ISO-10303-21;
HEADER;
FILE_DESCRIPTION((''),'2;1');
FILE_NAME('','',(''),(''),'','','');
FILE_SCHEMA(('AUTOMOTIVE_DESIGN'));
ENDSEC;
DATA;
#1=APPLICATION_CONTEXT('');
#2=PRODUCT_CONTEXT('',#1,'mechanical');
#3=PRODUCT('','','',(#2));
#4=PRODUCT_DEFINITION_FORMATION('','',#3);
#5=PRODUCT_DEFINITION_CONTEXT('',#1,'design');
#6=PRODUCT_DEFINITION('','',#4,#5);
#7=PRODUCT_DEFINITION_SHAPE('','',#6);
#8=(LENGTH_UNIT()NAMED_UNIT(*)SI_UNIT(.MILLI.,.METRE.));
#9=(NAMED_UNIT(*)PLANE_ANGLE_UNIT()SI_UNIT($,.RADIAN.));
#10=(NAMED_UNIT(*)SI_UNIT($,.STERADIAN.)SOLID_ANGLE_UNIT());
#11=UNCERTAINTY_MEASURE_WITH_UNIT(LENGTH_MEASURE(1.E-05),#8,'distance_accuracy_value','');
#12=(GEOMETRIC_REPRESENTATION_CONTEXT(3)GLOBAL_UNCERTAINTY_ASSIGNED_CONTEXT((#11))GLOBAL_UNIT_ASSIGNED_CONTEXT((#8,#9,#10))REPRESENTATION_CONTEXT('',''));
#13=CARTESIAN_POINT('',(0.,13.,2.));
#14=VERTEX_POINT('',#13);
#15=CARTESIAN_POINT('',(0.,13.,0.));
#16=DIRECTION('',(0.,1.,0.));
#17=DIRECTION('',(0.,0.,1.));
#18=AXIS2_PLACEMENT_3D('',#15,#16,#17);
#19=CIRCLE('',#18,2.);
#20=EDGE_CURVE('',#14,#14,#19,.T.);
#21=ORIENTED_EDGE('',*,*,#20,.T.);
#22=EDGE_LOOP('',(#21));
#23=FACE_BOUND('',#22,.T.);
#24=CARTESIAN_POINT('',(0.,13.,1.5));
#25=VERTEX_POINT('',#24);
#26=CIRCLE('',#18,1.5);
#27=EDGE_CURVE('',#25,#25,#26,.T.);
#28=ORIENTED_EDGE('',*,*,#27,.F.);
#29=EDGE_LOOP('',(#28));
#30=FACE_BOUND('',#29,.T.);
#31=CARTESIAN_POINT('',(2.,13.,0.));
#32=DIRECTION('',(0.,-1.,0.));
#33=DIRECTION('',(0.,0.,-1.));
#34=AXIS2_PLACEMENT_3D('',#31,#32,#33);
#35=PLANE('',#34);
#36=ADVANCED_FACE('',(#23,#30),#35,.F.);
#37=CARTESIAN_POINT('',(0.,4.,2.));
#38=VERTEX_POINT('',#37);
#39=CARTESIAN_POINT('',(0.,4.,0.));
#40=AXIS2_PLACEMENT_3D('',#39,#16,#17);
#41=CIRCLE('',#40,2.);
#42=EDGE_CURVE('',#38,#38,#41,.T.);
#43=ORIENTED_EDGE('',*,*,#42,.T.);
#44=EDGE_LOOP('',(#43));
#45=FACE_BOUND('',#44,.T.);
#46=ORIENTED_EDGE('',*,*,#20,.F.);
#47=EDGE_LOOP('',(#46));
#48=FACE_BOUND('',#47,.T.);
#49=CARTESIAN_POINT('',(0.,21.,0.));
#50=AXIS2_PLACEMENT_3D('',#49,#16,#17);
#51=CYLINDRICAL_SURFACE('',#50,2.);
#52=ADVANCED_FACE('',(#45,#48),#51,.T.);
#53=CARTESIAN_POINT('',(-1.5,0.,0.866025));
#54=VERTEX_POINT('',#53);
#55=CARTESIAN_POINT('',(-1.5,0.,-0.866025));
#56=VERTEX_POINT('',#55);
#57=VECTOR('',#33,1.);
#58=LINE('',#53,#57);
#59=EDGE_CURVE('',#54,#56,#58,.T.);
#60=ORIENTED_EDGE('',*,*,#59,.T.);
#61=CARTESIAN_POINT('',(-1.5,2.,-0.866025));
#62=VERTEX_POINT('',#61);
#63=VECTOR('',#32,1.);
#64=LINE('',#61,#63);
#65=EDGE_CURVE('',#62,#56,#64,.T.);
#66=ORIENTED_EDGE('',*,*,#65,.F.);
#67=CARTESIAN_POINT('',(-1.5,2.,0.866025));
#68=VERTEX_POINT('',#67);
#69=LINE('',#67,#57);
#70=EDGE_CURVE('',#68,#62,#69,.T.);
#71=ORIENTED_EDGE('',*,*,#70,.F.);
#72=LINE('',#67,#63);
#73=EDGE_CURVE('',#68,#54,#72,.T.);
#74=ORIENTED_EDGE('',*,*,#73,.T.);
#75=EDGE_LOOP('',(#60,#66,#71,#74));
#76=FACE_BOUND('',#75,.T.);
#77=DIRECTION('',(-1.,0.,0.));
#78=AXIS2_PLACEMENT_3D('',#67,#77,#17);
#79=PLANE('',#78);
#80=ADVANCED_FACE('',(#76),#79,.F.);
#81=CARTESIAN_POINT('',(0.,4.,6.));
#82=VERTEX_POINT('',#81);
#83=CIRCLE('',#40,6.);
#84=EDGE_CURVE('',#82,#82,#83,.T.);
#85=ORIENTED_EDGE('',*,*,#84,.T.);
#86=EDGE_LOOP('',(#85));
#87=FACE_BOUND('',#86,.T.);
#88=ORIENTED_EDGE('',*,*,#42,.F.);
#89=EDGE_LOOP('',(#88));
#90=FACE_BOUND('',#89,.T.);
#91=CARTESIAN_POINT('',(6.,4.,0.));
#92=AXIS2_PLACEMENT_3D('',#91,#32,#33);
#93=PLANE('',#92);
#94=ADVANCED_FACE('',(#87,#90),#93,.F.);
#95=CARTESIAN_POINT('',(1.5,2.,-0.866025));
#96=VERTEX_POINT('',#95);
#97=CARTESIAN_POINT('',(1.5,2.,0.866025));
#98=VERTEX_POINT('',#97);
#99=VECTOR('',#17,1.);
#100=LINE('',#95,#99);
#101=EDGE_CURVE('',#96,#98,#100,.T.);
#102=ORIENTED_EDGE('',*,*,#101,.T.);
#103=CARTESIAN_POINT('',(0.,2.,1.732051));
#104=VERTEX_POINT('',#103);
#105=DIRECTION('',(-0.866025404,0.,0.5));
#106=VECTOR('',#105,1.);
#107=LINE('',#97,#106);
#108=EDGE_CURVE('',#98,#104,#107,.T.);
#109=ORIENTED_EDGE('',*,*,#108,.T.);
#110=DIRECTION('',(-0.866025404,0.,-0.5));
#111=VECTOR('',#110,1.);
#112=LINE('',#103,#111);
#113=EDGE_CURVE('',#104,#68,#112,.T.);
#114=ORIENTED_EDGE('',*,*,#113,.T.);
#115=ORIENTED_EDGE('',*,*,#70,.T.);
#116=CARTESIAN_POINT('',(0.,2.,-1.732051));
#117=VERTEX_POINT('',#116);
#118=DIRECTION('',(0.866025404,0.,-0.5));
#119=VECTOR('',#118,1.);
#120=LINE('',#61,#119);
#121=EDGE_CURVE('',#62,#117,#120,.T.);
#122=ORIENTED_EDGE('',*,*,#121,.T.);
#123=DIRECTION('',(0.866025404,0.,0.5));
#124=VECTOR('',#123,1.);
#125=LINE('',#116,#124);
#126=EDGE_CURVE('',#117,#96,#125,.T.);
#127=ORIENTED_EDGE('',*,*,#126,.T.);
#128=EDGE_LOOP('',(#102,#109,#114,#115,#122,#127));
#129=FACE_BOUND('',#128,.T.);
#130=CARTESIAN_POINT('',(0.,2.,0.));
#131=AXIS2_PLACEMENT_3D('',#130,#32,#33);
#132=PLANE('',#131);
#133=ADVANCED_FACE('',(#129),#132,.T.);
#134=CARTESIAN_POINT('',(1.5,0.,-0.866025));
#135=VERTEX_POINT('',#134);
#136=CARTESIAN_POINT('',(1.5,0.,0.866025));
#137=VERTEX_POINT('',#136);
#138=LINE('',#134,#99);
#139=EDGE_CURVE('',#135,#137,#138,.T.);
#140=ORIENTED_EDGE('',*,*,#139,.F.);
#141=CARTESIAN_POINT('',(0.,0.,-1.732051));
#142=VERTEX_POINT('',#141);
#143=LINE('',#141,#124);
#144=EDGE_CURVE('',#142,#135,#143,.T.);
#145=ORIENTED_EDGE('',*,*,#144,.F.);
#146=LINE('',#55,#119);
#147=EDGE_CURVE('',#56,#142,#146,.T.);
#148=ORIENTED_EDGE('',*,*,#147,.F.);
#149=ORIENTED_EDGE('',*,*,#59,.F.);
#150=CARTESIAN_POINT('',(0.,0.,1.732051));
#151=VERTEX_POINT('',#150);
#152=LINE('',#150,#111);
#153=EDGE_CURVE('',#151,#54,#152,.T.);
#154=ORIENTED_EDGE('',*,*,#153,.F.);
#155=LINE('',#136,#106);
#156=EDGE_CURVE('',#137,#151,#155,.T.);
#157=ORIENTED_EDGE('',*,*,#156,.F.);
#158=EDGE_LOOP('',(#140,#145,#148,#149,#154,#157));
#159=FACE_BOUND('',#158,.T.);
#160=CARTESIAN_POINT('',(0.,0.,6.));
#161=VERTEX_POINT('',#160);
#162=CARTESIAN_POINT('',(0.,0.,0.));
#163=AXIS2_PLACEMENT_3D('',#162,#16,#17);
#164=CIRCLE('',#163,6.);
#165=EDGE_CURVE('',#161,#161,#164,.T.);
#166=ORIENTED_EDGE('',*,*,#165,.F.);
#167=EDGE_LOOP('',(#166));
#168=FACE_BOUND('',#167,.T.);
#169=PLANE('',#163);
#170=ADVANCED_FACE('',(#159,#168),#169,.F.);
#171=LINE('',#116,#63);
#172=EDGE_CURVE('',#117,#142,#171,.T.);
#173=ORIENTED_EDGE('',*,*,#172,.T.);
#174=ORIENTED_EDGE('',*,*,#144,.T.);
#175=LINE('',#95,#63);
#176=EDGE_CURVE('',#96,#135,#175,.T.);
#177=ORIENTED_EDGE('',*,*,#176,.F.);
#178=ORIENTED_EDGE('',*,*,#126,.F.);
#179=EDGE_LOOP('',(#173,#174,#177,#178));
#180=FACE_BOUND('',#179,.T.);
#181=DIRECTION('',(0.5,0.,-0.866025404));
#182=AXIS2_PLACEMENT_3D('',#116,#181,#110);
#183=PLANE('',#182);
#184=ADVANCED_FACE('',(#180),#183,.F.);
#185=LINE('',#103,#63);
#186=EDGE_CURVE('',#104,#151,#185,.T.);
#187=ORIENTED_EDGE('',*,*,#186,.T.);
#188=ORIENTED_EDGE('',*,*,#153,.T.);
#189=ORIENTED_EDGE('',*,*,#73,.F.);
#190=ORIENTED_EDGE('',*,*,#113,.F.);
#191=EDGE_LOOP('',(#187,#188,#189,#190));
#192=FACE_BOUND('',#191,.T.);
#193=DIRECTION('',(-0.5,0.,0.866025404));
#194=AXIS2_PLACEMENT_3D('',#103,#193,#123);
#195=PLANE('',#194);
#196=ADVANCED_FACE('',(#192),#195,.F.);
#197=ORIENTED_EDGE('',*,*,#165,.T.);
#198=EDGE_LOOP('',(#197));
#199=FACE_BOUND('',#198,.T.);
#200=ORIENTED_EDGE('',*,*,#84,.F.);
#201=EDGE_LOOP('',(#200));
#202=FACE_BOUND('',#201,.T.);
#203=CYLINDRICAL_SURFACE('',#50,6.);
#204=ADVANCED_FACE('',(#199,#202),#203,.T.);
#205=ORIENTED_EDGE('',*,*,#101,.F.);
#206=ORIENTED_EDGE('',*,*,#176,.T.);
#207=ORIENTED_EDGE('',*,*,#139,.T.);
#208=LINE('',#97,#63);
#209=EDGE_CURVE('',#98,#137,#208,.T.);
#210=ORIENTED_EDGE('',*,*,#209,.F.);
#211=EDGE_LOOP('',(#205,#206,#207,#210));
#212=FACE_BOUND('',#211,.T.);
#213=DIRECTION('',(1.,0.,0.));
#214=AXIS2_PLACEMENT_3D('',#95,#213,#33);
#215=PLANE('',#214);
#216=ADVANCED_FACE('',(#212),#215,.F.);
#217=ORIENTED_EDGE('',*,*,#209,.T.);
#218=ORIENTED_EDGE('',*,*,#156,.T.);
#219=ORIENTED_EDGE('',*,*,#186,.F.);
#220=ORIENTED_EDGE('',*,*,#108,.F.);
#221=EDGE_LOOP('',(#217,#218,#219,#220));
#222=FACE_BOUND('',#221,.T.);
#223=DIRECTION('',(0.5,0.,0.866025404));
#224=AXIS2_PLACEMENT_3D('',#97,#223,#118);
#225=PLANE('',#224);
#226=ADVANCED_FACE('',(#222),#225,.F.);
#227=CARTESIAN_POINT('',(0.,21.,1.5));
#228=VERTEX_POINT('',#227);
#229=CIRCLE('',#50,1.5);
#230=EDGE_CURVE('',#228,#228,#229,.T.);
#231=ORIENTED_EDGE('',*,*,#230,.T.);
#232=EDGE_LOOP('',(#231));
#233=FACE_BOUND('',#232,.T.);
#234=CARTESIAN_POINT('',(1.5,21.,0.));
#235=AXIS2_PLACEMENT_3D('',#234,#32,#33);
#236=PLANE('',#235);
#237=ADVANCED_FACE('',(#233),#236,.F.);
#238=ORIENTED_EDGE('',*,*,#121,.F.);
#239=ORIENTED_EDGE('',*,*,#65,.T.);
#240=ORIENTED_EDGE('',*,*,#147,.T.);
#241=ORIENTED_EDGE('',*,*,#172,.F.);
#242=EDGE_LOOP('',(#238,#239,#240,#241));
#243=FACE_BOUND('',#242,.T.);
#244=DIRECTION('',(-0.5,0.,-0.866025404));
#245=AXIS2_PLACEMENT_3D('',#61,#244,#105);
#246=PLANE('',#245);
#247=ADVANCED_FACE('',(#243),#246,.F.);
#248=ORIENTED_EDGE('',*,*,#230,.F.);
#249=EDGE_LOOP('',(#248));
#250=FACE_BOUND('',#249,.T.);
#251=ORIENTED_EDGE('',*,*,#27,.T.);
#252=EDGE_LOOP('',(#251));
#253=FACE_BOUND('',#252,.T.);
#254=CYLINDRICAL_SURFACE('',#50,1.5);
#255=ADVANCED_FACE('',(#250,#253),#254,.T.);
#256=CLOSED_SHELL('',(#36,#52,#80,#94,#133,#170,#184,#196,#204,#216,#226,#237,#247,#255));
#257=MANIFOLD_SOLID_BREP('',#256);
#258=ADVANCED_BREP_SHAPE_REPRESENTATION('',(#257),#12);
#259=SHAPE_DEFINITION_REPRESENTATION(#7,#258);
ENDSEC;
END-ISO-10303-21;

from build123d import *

# Parameters (mm, degrees)
CUT_EXTRUDE1_DEPTH = 2


with BuildPart() as part:
    # Sketch1 → Revolve1 (revolve)
    with BuildSketch(Plane.XY, mode=Mode.PRIVATE) as revolve1_sk:
        Polygon((0, 0), (6, 0), (6, 4), (2, 4), (2, 13), (1.5, 13), (1.5, 21), (0, 21), align=None)
    revolve(revolve1_sk.sketch.rotate(Axis((0, 21, 0), (0, -1, 0)), 90), axis=Axis((0, 21, 0), (0, -1, 0)))

    # Sketch2 → Cut-Extrude1 (cut)
    with BuildSketch(Plane.XZ):
        Polygon((0, -1.732050808), (1.5, -0.866025404), (1.5, 0.866025404), (0, 1.732050808), (-1.5, 0.866025404), (-1.5, -0.866025404), align=None)
    extrude(amount=-CUT_EXTRUDE1_DEPTH, mode=Mode.SUBTRACT)


solid = part.part
